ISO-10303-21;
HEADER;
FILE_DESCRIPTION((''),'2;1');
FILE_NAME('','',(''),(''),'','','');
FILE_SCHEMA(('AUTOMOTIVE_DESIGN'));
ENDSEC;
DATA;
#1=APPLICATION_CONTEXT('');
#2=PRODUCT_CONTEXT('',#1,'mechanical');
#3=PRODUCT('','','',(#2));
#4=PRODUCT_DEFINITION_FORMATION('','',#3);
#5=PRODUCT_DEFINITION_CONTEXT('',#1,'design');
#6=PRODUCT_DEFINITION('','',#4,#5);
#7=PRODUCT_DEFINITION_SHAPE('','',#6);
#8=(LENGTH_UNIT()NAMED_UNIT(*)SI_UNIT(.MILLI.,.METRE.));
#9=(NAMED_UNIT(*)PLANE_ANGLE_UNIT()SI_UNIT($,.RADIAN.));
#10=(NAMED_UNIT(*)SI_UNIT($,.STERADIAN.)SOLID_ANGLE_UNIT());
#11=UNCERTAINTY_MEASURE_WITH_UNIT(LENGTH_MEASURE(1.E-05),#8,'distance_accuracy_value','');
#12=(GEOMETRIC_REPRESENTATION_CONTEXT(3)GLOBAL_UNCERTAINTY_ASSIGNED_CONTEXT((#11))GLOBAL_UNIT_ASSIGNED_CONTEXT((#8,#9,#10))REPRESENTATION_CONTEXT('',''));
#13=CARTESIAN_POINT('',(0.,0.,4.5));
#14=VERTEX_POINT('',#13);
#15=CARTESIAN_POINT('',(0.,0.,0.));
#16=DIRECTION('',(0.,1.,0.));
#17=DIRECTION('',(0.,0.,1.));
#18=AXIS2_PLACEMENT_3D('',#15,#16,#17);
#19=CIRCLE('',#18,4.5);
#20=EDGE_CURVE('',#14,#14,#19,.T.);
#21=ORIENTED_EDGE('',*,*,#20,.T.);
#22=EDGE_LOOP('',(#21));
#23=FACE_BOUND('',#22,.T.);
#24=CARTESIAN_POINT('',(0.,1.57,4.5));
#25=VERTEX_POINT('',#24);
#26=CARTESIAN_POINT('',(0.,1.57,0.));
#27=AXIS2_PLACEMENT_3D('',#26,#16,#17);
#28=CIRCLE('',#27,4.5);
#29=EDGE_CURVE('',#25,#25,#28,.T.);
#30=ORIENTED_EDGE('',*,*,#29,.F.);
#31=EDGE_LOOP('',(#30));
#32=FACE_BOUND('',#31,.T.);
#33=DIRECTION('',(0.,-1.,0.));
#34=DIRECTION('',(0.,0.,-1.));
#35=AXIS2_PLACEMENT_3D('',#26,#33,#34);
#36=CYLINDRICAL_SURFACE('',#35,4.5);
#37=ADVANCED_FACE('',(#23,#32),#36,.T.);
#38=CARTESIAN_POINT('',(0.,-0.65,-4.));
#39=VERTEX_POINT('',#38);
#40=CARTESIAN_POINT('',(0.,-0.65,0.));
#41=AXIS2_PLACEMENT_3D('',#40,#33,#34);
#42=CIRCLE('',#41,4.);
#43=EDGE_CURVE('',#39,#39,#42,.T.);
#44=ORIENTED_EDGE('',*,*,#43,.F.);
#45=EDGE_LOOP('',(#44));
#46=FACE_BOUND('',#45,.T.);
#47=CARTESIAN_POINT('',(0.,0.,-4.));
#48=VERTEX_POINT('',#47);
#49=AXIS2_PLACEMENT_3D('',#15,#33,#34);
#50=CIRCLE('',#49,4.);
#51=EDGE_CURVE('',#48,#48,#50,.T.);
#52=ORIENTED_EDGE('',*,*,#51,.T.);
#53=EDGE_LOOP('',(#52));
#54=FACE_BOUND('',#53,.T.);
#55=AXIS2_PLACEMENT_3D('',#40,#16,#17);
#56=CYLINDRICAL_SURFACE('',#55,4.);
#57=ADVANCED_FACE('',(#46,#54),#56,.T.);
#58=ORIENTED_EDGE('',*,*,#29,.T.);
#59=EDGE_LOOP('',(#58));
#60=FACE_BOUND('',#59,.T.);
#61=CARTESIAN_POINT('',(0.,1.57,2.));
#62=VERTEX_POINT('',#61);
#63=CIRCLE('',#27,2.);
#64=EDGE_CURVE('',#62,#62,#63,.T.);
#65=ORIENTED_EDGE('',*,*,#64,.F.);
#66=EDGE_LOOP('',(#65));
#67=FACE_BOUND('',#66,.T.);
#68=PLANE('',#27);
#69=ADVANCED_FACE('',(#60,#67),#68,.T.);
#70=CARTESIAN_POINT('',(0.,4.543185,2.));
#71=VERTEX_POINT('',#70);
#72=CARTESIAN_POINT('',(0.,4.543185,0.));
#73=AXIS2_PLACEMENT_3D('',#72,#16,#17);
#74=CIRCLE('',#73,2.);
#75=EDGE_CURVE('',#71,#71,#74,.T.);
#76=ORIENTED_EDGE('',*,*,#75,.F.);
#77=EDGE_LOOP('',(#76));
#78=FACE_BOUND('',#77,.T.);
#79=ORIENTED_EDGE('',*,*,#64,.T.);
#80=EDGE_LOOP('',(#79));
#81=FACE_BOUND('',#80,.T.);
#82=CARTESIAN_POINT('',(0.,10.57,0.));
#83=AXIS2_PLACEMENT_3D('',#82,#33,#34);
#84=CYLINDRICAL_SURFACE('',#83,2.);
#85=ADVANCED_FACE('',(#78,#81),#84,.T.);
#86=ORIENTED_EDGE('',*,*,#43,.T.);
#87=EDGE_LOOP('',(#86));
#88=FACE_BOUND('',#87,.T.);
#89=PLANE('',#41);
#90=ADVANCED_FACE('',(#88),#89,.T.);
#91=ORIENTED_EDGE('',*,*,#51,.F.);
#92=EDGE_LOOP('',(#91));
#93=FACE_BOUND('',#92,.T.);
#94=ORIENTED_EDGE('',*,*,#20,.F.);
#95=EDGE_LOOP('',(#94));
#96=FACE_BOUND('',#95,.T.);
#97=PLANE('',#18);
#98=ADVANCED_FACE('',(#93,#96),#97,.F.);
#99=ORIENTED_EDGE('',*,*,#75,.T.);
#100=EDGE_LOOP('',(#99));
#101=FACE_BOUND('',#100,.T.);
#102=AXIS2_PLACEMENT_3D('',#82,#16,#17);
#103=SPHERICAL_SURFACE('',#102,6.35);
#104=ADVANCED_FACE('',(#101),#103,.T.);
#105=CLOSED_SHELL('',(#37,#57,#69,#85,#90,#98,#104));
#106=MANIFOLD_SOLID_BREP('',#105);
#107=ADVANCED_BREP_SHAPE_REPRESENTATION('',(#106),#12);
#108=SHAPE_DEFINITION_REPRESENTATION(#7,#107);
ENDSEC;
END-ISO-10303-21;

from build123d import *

# Parameters (mm, degrees)
SKETCH1_R           = 4.5
BOSS_EXTRUDE1_DEPTH = 1.57
SKETCH2_R           = 2
BOSS_EXTRUDE2_DEPTH = 9
SKETCH4_R           = 4
BOSS_EXTRUDE3_DEPTH = 0.65


with BuildPart() as part:
    # Sketch1 → Boss-Extrude1 (new body)
    with BuildSketch(Plane(origin=(0, 0, 0), x_dir=(1, 0, 0), z_dir=(0, 1, 0))):
        with Locations(Location((0, 0, 0), (0, 0, 270))):
            Circle(SKETCH1_R)
    extrude(amount=BOSS_EXTRUDE1_DEPTH)

    # Sketch2 → Boss-Extrude2 (add)
    with BuildSketch(Plane(origin=(0, 1.57, 0), x_dir=(1, 0, 0), z_dir=(0, 1, 0))):
        with Locations(Location((0, 0, 0), (0, 0, 270))):
            Circle(SKETCH2_R)
    extrude(amount=BOSS_EXTRUDE2_DEPTH)

    # Sketch3 → Revolve1 (revolve)
    with BuildSketch(Plane(origin=(0, 10.57, 0), x_dir=(1, 0, 0), z_dir=(0, 1, 0))):
        with BuildLine():
            Line((0, 6.35), (0, -6.35))
            ThreePointArc((0, -6.35), (6.35, 0), (0, 6.35))
        make_face()
    revolve(axis=Axis((0, 10.57, -8.311953328), (0, 0, 1)))

    # Sketch4 → Boss-Extrude3 (add)
    with BuildSketch(Plane.XZ):
        with Locations(Location((0, 0, 0), (0, 0, 270))):
            Circle(SKETCH4_R)
    extrude(amount=BOSS_EXTRUDE3_DEPTH)


solid = part.part
